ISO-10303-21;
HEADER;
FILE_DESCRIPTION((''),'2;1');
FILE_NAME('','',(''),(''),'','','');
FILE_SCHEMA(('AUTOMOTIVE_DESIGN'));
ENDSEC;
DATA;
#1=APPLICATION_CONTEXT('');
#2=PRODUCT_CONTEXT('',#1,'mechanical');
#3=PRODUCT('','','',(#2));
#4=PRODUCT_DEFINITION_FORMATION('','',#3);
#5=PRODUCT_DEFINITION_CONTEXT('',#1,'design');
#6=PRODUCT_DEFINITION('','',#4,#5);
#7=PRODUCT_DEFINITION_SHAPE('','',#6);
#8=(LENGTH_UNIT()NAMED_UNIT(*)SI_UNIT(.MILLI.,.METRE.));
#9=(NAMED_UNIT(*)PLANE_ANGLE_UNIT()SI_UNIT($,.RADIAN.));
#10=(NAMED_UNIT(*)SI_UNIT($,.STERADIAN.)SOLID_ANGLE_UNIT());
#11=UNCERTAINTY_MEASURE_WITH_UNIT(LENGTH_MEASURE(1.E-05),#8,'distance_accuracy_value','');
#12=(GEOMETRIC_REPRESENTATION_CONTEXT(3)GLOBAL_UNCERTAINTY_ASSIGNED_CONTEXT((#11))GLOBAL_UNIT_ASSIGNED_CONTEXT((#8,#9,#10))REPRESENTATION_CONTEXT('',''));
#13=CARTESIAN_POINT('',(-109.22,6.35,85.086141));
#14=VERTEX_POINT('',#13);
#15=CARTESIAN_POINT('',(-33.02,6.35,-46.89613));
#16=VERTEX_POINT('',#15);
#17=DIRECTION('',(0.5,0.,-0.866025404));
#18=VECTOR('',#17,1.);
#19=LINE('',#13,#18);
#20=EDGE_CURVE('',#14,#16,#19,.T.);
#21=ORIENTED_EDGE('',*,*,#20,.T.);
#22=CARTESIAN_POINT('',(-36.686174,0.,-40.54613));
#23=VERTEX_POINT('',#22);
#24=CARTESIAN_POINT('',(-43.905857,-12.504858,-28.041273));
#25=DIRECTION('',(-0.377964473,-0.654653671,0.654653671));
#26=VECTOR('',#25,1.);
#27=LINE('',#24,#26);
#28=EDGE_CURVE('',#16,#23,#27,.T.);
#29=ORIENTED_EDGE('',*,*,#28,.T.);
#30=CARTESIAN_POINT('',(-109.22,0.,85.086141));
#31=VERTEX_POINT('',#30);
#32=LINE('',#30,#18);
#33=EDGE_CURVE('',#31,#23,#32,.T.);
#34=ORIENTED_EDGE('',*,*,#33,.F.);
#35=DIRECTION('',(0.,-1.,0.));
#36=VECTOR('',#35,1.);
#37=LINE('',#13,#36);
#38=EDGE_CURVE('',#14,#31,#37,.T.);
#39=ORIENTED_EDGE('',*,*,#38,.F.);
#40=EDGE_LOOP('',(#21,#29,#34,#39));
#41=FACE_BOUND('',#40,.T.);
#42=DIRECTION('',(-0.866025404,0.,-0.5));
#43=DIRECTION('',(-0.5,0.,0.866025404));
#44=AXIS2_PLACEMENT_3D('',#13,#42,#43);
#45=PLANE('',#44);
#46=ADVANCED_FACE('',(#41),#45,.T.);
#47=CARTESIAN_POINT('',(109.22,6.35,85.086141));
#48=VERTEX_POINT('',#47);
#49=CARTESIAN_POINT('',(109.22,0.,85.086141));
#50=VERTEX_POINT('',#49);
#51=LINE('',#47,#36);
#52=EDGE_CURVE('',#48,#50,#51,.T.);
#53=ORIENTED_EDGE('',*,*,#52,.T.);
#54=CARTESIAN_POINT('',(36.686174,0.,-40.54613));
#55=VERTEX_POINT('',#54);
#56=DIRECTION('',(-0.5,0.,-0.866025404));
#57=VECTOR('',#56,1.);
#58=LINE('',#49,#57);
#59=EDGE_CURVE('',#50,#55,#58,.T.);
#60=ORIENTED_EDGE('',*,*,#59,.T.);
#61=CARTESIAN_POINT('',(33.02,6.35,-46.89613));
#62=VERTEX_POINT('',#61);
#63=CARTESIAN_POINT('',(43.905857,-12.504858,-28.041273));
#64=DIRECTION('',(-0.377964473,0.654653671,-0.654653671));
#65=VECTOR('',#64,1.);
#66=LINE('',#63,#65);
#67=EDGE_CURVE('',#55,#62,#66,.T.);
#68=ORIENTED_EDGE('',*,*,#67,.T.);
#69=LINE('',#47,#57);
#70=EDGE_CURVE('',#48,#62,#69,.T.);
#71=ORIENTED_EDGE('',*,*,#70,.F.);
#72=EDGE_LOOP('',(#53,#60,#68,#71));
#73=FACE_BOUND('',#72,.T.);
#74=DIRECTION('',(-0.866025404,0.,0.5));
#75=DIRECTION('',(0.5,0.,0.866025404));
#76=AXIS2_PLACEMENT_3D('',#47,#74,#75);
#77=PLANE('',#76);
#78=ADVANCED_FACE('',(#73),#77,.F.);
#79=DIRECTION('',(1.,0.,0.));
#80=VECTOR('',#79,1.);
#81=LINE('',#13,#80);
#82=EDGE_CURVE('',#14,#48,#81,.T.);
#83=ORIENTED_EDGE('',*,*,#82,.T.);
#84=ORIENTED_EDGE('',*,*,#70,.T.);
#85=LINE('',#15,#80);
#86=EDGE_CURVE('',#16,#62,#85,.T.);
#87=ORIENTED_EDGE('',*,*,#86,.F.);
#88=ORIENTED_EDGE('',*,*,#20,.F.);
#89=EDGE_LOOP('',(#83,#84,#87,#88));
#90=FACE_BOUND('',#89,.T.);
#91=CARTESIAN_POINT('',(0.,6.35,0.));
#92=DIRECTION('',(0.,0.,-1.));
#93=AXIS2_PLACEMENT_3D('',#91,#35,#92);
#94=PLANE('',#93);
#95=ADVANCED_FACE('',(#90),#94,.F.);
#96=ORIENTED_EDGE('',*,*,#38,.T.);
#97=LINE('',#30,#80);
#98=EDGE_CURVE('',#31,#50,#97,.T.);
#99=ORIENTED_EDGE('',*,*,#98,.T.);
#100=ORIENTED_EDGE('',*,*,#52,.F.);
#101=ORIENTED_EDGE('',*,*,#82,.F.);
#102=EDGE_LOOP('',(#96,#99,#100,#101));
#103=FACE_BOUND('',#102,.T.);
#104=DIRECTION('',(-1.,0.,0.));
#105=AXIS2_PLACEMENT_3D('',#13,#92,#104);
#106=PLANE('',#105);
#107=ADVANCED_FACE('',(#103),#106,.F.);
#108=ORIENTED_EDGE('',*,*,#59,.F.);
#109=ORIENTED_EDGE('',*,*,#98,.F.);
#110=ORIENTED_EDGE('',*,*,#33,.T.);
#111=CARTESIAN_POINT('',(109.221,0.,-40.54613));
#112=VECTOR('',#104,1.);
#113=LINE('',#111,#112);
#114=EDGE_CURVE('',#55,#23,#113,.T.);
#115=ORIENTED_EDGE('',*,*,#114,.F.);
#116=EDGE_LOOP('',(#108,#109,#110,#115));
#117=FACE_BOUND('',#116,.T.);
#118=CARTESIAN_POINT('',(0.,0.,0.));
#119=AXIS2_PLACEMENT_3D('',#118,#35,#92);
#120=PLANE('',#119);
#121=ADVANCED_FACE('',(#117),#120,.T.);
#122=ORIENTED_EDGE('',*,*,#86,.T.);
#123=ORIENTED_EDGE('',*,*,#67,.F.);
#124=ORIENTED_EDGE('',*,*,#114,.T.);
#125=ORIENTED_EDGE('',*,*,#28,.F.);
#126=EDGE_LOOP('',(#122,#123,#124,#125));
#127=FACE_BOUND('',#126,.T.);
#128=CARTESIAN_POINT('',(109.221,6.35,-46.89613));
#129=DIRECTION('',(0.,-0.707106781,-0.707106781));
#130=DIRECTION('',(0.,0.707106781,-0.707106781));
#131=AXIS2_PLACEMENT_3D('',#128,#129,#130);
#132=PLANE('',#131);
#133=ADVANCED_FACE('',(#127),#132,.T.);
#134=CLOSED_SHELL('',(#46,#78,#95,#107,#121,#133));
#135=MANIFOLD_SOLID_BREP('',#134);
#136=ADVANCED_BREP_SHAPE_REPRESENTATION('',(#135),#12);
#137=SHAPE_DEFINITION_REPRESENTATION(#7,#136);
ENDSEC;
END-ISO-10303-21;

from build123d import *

# Parameters (mm, degrees)
BOSS_EXTRUDE1_DEPTH            = 6.35
CUT_EXTRUDE1_REACH             = 111.22
CUT_EXTRUDE1_DIRECTION_2_REACH = 111.22


with BuildPart() as part:
    # Sketch2 → Boss-Extrude1 (new body)
    with BuildSketch(Plane(origin=(0, 0, 0), x_dir=(1, 0, 0), z_dir=(0, 1, 0))):
        Polygon((-109.22, -85.086141102), (-33.02, 46.896130435), (33.02, 46.896130435), (109.22, -85.086141102), align=None)
    extrude(amount=BOSS_EXTRUDE1_DEPTH)

    # Sketch4 → Cut-Extrude1 (cut, up to next)
    with BuildSketch(Plane(origin=(0, 0, 0), x_dir=(0, 0, -1), z_dir=(1, 0, 0)), mode=Mode.PRIVATE) as cut_extrude1_sk1:
        Polygon((46.896130435, 6.35), (40.546130435, 0), (46.896130435, 0), align=None)
    cut_extrude1_tool1 = extrude(cut_extrude1_sk1.sketch, amount=-CUT_EXTRUDE1_REACH, mode=Mode.PRIVATE) & part.part
    add(cut_extrude1_tool1.solids().sort_by_distance((0, 2.116667, -44.779464))[0], mode=Mode.SUBTRACT)

    # Sketch4 → Cut-Extrude1 direction 2 (cut, up to next)
    with BuildSketch(Plane(origin=(0, 0, 0), x_dir=(0, 0, -1), z_dir=(1, 0, 0)), mode=Mode.PRIVATE) as cut_extrude1_direction_2_sk1:
        Polygon((46.896130435, 6.35), (40.546130435, 0), (46.896130435, 0), align=None)
    cut_extrude1_direction_2_tool1 = extrude(cut_extrude1_direction_2_sk1.sketch, amount=CUT_EXTRUDE1_DIRECTION_2_REACH, mode=Mode.PRIVATE) & part.part
    add(cut_extrude1_direction_2_tool1.solids().sort_by_distance((0, 2.116667, -44.779464))[0], mode=Mode.SUBTRACT)


solid = part.part
